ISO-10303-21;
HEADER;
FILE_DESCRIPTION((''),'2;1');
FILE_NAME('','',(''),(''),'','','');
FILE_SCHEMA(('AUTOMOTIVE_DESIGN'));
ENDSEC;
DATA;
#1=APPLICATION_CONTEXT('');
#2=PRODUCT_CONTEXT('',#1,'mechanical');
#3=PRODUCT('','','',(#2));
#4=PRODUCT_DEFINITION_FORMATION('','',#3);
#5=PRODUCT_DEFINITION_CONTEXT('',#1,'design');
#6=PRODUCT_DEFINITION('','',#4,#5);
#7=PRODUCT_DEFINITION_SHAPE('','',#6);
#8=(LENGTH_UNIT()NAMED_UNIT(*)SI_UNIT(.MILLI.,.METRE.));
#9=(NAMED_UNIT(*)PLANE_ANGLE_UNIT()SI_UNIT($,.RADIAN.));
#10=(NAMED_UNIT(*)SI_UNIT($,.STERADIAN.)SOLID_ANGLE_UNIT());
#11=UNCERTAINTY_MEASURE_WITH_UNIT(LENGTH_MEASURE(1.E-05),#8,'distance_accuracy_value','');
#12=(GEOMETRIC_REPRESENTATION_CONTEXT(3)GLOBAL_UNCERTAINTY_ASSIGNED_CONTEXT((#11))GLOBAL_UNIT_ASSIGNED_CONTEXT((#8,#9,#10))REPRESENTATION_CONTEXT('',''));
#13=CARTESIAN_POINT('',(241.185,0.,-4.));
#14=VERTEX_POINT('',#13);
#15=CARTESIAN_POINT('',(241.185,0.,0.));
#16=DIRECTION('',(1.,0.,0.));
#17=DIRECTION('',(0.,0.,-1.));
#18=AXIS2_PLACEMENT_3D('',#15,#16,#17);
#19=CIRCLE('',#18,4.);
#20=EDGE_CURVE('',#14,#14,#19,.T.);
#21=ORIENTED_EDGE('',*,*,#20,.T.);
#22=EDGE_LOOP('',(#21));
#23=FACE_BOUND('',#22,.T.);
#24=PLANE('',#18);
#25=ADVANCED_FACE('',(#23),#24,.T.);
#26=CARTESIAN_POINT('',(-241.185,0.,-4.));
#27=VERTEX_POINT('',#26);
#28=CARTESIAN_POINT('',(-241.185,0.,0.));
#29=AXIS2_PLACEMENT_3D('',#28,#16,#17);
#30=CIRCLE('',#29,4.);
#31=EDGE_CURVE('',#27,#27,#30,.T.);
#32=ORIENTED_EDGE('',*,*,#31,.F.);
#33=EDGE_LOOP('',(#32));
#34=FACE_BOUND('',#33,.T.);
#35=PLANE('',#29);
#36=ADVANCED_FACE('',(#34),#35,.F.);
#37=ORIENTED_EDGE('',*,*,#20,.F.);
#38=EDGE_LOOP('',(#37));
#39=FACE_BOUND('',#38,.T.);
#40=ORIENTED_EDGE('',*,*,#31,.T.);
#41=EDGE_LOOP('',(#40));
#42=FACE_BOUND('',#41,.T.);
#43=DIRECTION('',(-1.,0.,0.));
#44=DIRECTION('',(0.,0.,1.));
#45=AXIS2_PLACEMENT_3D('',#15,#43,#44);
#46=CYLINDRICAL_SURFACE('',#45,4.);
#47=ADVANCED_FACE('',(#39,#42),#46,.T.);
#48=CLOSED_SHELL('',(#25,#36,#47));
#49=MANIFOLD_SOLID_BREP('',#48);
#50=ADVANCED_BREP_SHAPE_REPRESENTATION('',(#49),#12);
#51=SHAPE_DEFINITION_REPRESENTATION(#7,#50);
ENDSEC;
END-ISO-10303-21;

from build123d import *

# Parameters (mm, degrees)
CROQUIS1_R              = 4
SALIENTE_EXTRUIR1_DEPTH = 241.185


with BuildPart() as part:
    # Croquis1 → Saliente-Extruir1 (new, symmetric)
    with BuildSketch(Plane(origin=(0, 0, 0), x_dir=(0, 0, -1), z_dir=(1, 0, 0))):
        Circle(CROQUIS1_R)
    extrude(amount=SALIENTE_EXTRUIR1_DEPTH, both=True)


solid = part.part
